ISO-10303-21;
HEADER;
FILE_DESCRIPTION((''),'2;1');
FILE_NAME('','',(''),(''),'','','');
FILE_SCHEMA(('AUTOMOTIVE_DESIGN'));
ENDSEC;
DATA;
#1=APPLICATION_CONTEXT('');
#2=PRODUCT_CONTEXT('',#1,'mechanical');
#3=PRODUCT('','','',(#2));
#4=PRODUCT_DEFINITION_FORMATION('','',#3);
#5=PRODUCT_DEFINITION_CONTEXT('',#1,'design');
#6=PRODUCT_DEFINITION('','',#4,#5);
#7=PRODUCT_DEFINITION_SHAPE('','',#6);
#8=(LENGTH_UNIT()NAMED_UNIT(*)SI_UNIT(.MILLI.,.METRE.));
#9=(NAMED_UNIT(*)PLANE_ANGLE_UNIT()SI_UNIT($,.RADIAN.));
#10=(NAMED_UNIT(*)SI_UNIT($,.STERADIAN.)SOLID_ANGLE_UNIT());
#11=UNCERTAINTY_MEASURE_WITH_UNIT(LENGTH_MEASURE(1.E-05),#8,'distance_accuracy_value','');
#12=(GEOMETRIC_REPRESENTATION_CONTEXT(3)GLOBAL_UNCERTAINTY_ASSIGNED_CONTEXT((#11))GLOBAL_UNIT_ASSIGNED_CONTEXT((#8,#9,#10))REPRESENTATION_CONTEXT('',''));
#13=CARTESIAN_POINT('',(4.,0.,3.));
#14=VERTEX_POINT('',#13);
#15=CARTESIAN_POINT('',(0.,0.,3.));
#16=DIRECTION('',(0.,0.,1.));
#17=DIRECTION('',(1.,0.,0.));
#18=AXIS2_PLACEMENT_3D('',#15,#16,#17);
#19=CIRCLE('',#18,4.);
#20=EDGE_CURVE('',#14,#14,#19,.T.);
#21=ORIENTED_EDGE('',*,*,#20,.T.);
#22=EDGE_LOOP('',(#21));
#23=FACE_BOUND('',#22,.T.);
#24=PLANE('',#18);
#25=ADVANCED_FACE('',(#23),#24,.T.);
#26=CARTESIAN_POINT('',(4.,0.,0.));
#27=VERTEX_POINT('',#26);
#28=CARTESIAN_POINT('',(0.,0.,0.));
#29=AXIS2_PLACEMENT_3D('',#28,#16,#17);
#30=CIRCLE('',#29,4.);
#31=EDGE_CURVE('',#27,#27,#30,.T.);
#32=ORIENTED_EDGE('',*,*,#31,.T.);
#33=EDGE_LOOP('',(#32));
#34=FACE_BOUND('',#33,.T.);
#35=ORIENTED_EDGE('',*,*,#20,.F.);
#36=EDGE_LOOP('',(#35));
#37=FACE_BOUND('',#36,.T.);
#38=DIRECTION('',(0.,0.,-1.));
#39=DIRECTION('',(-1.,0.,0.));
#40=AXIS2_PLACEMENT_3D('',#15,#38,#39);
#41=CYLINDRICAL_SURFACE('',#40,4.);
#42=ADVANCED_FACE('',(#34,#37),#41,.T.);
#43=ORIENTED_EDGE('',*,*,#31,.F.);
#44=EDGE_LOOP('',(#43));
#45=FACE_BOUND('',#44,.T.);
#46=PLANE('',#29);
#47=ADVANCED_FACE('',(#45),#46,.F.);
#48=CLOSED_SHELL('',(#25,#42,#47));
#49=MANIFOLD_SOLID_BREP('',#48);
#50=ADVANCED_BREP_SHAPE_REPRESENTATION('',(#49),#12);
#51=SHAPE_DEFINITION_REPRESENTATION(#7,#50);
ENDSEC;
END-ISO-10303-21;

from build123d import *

# Parameters (mm, degrees)
SKETCH1_R           = 4
BOSS_EXTRUDE1_DEPTH = 3


with BuildPart() as part:
    # Sketch1 → Boss-Extrude1 (new body)
    with BuildSketch(Plane.XY):
        Circle(SKETCH1_R)
    extrude(amount=BOSS_EXTRUDE1_DEPTH)


solid = part.part
